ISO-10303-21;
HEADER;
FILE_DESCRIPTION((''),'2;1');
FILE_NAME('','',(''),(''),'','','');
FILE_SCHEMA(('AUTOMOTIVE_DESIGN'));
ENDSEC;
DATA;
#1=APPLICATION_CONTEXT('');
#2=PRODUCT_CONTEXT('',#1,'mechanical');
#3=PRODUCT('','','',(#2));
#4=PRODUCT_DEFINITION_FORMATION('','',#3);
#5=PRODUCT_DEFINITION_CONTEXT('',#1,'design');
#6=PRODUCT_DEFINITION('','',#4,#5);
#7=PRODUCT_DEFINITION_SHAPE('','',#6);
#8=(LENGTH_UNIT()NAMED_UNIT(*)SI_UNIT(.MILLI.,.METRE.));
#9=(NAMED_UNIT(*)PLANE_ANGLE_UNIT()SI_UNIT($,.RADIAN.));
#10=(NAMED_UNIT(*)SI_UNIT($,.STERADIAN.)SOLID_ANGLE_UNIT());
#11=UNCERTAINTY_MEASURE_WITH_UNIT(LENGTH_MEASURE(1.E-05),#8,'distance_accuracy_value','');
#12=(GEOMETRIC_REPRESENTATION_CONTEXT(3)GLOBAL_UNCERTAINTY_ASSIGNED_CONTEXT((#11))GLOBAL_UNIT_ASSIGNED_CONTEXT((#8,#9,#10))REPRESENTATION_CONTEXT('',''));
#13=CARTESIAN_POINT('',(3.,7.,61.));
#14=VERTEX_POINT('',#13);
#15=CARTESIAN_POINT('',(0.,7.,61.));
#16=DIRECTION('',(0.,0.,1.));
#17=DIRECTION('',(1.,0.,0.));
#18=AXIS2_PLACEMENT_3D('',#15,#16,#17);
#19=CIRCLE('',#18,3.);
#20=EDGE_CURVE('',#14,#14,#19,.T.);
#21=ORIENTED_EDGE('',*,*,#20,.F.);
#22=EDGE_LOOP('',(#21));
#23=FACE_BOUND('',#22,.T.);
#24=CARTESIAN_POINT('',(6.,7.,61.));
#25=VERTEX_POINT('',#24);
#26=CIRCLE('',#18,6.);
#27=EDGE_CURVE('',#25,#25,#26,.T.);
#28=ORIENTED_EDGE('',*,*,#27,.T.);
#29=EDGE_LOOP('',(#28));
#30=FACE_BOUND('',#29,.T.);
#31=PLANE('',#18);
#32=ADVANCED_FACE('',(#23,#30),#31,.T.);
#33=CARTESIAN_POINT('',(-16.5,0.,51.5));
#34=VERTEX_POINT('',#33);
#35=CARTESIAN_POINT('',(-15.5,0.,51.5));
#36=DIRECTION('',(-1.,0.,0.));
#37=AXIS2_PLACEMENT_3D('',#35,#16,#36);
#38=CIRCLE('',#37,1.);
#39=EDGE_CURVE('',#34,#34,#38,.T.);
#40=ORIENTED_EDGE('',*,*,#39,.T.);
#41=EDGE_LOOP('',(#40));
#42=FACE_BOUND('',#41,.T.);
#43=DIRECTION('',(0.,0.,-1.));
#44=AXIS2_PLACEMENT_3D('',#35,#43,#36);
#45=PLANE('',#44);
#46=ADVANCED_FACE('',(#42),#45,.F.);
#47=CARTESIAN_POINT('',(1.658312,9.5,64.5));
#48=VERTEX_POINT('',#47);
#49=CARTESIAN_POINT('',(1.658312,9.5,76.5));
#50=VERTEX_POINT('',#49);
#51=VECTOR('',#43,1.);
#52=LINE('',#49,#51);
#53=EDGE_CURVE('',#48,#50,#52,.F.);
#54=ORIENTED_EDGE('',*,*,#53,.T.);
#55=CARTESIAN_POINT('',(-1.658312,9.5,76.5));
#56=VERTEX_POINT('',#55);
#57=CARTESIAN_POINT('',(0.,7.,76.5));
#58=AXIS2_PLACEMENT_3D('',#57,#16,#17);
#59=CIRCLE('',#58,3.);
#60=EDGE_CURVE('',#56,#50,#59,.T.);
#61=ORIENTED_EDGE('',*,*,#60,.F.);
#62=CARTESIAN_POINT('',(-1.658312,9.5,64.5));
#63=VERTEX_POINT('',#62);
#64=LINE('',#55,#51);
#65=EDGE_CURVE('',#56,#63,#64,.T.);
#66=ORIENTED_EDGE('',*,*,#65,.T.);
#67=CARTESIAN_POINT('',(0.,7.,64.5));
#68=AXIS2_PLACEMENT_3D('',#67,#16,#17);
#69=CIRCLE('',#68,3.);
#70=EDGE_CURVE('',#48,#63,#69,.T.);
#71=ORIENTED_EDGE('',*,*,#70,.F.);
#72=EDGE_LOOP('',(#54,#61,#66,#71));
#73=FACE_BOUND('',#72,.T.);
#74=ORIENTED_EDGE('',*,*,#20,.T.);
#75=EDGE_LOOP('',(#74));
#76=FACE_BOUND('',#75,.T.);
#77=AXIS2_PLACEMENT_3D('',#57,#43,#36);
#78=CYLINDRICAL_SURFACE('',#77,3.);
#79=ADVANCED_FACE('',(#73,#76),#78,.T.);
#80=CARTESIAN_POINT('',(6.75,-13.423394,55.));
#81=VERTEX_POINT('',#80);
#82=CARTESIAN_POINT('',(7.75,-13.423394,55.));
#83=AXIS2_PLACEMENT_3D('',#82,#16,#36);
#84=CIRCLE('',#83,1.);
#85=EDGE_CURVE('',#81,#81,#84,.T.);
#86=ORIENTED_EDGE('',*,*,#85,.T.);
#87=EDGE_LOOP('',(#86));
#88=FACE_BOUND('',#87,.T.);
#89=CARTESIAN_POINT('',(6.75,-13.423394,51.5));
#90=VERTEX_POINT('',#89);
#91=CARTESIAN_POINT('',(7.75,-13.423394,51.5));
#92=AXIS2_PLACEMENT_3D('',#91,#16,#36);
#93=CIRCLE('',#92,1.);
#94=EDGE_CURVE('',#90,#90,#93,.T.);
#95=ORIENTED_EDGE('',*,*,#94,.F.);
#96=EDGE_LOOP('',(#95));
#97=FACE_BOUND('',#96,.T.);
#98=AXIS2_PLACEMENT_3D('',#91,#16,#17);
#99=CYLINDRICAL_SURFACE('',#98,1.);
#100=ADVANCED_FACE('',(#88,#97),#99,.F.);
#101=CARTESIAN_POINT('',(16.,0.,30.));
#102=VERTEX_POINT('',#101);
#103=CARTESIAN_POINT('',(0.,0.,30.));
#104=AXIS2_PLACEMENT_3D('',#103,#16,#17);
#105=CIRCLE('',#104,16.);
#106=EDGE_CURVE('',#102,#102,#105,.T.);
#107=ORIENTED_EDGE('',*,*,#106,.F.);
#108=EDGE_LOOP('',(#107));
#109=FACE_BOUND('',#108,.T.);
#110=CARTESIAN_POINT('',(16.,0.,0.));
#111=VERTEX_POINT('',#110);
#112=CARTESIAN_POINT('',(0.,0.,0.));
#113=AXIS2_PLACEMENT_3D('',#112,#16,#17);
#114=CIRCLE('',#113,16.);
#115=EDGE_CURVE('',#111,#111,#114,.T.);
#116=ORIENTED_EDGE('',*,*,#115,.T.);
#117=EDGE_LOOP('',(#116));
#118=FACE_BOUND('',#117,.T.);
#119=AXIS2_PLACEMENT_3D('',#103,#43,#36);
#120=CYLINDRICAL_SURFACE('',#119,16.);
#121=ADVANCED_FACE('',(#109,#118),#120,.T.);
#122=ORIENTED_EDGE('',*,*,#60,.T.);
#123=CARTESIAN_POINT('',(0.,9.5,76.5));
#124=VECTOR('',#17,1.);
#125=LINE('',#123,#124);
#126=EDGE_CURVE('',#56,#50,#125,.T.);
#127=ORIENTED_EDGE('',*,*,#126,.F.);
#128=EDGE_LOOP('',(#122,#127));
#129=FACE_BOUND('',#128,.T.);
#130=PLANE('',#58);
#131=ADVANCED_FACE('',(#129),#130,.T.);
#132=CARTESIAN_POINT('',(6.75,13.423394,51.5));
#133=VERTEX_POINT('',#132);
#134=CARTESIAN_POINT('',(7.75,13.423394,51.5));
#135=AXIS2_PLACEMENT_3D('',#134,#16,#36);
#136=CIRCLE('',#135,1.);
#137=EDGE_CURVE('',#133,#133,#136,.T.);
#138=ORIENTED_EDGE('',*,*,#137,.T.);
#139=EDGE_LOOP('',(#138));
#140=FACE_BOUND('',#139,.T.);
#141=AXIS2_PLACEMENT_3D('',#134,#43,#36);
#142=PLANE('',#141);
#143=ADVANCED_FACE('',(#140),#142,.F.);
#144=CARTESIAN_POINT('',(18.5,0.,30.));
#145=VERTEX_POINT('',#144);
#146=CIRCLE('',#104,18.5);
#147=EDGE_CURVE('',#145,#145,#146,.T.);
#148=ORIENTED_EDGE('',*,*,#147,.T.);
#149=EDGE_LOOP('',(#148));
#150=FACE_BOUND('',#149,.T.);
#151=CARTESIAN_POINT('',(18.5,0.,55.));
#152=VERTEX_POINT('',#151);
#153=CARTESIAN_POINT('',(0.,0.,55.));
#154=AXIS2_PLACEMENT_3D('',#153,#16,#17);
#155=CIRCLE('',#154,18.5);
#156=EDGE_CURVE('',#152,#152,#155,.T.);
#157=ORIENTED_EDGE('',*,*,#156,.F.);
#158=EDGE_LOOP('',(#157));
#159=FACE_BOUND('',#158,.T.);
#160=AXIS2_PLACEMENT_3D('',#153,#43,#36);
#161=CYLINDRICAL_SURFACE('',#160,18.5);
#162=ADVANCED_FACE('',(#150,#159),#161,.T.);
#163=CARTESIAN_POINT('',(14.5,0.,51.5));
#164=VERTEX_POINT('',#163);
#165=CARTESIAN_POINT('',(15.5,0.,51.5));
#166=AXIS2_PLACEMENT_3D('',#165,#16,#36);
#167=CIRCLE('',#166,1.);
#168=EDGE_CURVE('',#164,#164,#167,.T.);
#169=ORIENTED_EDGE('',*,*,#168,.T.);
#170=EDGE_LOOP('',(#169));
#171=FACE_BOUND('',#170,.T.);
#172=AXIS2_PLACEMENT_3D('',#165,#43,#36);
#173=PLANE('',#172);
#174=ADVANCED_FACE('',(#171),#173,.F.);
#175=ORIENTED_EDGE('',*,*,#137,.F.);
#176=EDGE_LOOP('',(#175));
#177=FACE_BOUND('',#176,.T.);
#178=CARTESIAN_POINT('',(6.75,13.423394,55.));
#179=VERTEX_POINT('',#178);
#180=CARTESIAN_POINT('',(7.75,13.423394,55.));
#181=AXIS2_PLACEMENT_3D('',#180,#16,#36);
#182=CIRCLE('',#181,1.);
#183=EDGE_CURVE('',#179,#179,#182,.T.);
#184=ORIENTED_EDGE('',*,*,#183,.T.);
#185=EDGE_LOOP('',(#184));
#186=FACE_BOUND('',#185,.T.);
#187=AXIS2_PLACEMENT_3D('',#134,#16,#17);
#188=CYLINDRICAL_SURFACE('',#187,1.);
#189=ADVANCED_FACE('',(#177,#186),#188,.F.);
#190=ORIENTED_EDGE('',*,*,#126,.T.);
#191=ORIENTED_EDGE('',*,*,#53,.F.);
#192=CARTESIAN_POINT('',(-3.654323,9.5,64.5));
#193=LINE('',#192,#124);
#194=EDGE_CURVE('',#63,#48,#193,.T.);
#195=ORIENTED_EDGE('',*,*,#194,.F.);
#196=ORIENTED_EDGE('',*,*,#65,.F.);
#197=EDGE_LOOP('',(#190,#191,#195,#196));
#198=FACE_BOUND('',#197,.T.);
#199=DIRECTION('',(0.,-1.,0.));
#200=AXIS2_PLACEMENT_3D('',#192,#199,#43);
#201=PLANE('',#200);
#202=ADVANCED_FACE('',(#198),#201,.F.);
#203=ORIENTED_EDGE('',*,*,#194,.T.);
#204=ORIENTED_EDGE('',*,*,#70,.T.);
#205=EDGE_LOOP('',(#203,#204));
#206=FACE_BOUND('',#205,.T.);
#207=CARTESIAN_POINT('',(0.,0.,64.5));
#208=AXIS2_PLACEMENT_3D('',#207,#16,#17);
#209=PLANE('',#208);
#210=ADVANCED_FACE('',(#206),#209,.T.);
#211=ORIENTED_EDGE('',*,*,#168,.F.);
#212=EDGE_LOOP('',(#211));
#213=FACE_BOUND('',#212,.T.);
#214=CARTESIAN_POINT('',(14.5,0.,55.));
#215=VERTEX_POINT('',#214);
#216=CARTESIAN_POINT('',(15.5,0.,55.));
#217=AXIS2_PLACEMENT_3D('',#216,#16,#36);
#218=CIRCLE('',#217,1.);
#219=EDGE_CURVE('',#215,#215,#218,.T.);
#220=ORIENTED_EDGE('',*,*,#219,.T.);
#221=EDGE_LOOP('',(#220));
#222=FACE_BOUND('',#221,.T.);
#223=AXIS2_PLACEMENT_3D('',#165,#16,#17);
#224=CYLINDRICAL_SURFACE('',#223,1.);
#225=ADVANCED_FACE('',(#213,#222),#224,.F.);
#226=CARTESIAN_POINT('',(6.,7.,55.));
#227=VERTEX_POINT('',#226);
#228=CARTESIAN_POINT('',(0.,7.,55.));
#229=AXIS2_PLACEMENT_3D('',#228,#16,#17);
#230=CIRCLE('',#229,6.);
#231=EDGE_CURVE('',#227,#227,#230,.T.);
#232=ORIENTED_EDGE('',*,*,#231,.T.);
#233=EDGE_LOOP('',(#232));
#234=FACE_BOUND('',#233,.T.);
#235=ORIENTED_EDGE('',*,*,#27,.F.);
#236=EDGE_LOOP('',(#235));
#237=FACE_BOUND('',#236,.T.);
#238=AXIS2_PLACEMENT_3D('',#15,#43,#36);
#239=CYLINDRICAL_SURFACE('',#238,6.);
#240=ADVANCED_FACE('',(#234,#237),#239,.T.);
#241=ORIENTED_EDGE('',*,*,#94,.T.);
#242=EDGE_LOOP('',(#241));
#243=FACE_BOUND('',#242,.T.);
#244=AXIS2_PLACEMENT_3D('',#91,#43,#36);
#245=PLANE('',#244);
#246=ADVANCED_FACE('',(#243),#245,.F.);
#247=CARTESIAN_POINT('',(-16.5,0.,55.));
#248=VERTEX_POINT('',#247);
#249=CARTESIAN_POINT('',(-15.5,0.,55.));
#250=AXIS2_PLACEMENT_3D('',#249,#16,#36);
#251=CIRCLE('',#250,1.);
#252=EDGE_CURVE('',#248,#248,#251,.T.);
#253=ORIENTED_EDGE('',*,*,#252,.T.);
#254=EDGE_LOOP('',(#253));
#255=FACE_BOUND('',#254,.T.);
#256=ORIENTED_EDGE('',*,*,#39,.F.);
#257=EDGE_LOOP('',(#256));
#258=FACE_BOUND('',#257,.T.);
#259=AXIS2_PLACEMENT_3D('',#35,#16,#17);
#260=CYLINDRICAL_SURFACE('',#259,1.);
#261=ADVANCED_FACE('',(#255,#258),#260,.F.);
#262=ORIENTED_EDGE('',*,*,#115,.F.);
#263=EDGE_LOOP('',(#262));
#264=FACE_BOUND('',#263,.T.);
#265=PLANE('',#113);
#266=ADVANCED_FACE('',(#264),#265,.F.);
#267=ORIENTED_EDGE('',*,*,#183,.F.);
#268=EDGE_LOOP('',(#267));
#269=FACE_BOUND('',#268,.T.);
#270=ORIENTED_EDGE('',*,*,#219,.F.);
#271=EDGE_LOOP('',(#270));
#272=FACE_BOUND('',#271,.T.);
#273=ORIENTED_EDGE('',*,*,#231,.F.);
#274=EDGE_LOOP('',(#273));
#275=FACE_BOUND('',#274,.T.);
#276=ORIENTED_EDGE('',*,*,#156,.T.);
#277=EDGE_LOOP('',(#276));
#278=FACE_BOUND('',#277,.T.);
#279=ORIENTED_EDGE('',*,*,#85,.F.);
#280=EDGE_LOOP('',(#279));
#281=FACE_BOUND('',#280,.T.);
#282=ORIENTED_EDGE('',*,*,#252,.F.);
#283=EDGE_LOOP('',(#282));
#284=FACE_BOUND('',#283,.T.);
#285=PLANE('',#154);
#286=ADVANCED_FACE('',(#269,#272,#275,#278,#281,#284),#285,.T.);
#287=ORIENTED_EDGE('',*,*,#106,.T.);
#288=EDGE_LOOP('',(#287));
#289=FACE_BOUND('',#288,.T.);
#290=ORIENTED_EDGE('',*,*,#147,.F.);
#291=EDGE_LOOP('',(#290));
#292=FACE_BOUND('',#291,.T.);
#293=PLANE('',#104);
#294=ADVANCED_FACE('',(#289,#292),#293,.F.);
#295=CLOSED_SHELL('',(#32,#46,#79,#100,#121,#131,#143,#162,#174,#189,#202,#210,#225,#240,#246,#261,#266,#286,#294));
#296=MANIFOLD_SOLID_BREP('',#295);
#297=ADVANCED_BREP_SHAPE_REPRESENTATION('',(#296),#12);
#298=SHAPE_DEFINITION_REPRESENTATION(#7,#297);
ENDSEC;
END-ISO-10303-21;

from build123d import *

# Parameters (mm, degrees)
ESQUISSE1_R             = 16
BOSS_EXTRU_2_DEPTH      = 30
ESQUISSE2_R             = 18.5
BOSS_EXTRU_3_DEPTH      = 25
ESQUISSE3_R             = 1
ENL_V_MAT_EXTRU_1_DEPTH = 3.5
ESQUISSE5_R             = 6
BOSS_EXTRU_4_DEPTH      = 6
ESQUISSE6_R             = 3
BOSS_EXTRU_5_DEPTH      = 15.5
ESQUISSE7_W             = 7.308646468
ESQUISSE7_H             = 1
ENL_V_MAT_EXTRU_2_DEPTH = 12


with BuildPart() as part:
    # Esquisse1 → Boss.-Extru.2 (new body)
    with BuildSketch(Plane.XY):
        Circle(ESQUISSE1_R)
    extrude(amount=BOSS_EXTRU_2_DEPTH)

    # Esquisse2 → Boss.-Extru.3 (add)
    with BuildSketch(Plane.XY.offset(30)):
        Circle(ESQUISSE2_R)
    extrude(amount=BOSS_EXTRU_3_DEPTH)

    # Esquisse3 → Enlèv. mat.-Extru.1 (cut)
    with BuildSketch(Plane.XY.offset(55)):
        with Locations(Location((-15.5, 0, 0), (0, 0, 180))):
            Circle(ESQUISSE3_R)
        with Locations(Location((7.75, -13.423393759, 0), (0, 0, 180))):
            Circle(ESQUISSE3_R)
        with Locations(Location((15.5, 0, 0), (0, 0, 180))):
            Circle(ESQUISSE3_R)
        with Locations(Location((7.75, 13.423393759, 0), (0, 0, 180))):
            Circle(ESQUISSE3_R)
    extrude(amount=-ENL_V_MAT_EXTRU_1_DEPTH, mode=Mode.SUBTRACT)

    # Esquisse5 → Boss.-Extru.4 (add)
    with BuildSketch(Plane.XY.offset(55)):
        with Locations((0, 7)):
            Circle(ESQUISSE5_R)
    extrude(amount=BOSS_EXTRU_4_DEPTH)

    # Esquisse6 → Boss.-Extru.5 (add)
    with BuildSketch(Plane.XY.offset(61)):
        with Locations((0, 7)):
            Circle(ESQUISSE6_R)
    extrude(amount=BOSS_EXTRU_5_DEPTH)

    # Esquisse7 → Enlèv. mat.-Extru.2 (cut)
    with BuildSketch(Plane.XY.offset(76.5)):
        with Locations((0, 10)):
            Rectangle(ESQUISSE7_W, ESQUISSE7_H)
    extrude(amount=-ENL_V_MAT_EXTRU_2_DEPTH, mode=Mode.SUBTRACT)


solid = part.part
